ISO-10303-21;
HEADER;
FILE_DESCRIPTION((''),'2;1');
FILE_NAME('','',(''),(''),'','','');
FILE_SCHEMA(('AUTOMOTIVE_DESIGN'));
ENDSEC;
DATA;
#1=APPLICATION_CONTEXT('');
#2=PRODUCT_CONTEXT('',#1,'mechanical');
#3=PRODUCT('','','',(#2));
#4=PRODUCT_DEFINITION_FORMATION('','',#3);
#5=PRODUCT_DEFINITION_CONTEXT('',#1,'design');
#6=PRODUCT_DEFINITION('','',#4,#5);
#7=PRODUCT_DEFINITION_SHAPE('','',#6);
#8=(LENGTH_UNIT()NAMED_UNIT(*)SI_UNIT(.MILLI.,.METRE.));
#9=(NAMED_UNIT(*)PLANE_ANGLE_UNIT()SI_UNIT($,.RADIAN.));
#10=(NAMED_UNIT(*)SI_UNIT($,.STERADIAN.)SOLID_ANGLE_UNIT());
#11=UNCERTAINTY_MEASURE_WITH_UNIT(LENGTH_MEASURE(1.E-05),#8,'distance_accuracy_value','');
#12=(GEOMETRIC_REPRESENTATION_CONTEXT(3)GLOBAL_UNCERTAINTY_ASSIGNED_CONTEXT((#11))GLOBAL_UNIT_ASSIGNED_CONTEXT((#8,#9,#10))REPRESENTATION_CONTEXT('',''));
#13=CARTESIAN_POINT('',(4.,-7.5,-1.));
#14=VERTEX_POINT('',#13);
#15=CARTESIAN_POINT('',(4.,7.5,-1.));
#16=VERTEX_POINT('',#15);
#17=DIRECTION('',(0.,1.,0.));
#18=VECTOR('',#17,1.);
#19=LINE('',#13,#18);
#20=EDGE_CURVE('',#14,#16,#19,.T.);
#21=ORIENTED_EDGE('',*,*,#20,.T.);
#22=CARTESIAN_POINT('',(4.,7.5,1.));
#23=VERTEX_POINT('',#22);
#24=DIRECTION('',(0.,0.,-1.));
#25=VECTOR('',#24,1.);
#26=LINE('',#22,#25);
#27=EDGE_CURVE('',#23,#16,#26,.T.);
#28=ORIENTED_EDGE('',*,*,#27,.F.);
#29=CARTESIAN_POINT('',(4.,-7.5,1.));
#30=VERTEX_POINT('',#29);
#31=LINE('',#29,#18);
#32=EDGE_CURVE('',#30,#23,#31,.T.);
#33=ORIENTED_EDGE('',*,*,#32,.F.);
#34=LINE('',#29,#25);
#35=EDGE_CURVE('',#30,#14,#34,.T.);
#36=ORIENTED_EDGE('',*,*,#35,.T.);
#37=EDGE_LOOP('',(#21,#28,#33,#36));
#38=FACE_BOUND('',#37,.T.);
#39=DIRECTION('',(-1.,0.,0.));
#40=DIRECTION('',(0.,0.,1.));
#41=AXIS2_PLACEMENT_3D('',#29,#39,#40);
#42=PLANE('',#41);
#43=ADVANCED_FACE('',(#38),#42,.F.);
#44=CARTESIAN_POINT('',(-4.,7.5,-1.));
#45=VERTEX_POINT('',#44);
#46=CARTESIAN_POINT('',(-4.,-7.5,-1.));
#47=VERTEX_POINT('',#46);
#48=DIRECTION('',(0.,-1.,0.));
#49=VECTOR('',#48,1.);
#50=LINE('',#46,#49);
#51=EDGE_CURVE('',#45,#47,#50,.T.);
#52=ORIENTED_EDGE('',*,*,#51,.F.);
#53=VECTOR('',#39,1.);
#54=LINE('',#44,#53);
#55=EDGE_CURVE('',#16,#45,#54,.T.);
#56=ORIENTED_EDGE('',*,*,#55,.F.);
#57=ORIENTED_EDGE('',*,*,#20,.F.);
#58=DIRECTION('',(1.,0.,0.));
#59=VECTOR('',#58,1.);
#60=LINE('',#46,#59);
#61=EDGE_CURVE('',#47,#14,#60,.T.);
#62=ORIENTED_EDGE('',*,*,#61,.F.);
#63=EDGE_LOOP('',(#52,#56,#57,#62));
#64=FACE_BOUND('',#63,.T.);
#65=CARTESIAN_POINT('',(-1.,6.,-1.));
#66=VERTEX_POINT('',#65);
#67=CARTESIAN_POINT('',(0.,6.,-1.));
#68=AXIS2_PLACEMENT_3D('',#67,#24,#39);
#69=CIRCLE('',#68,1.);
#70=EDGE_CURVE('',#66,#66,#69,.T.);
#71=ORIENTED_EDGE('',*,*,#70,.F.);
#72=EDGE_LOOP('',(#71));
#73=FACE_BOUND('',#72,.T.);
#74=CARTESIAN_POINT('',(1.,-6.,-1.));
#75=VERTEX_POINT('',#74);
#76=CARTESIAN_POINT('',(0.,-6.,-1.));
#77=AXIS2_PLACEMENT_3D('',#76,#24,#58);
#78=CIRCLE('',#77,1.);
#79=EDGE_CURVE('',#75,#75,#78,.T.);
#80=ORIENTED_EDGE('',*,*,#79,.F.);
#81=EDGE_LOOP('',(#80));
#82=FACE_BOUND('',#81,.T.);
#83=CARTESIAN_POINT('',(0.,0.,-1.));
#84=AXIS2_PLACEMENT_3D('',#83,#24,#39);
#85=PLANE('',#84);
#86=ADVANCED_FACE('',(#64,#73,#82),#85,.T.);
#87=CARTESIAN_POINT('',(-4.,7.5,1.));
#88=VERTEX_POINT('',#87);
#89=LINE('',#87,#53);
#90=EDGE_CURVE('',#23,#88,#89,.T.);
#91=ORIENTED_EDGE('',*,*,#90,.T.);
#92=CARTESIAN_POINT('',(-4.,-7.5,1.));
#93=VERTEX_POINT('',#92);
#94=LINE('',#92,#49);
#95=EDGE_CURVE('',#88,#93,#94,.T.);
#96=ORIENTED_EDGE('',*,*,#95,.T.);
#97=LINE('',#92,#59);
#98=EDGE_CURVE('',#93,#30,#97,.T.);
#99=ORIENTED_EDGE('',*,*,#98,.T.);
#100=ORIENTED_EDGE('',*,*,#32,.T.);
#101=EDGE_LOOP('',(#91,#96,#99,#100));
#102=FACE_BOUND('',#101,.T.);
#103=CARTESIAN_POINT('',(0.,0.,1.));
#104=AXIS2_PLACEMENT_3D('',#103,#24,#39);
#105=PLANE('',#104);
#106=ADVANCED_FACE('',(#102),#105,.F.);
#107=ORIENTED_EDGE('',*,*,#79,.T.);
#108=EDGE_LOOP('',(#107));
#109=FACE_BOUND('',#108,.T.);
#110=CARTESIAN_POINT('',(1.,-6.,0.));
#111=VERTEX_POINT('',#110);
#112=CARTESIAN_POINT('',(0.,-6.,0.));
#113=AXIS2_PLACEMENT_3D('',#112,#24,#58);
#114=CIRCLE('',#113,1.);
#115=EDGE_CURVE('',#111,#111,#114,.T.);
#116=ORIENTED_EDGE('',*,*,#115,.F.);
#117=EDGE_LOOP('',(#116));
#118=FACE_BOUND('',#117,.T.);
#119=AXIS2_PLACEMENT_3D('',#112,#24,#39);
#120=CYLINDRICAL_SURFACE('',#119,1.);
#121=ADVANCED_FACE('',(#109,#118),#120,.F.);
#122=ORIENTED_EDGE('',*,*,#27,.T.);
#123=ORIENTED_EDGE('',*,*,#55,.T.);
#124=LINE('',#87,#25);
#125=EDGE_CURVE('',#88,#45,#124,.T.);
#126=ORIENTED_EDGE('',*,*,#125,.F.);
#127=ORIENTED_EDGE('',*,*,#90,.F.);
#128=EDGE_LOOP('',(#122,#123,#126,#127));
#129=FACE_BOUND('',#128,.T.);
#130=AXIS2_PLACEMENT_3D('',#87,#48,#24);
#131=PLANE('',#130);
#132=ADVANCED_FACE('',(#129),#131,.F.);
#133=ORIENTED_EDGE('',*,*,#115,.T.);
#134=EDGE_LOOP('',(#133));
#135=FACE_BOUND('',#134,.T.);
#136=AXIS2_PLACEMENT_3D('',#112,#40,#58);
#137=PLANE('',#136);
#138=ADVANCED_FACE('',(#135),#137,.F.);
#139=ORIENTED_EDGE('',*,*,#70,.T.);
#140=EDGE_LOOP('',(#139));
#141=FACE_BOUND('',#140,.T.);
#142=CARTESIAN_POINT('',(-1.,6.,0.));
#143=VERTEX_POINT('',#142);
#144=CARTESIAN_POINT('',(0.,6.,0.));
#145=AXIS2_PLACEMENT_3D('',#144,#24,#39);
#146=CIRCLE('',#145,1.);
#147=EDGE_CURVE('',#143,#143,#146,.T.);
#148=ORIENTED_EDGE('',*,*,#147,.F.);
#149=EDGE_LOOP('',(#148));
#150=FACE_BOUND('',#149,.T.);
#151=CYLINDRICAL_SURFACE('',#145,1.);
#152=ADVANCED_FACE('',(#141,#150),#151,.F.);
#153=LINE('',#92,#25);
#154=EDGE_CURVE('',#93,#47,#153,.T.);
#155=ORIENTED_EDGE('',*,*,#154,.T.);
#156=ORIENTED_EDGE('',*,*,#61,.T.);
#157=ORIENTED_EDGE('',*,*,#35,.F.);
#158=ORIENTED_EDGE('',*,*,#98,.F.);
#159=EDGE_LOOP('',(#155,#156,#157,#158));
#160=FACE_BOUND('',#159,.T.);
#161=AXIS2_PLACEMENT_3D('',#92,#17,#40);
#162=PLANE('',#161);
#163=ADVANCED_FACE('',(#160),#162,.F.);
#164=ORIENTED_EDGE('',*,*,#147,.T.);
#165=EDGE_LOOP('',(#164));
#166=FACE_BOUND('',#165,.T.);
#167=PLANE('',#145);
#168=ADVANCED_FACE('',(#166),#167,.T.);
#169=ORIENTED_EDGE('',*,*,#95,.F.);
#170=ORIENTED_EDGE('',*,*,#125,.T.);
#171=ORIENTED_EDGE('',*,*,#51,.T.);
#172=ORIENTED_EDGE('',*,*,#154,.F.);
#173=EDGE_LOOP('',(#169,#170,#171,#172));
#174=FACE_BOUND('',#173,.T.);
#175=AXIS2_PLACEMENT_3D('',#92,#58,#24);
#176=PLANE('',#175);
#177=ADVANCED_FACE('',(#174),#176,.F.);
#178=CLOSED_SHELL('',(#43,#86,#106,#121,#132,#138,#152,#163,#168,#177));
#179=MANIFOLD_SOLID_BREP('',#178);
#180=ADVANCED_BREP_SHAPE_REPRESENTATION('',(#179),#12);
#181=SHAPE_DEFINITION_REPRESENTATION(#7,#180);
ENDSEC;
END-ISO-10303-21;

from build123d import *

# Parameters (mm, degrees)
SKETCH1_W           = 8
SKETCH1_H           = 15
BOSS_EXTRUDE1_DEPTH = 1
SKETCH2_R           = 1
CUT_EXTRUDE1_DEPTH  = 1


with BuildPart() as part:
    # Sketch1 → Boss-Extrude1 (new, symmetric)
    with BuildSketch(Plane.XY):
        Rectangle(SKETCH1_W, SKETCH1_H)
    extrude(amount=BOSS_EXTRUDE1_DEPTH, both=True)

    # Sketch2 → Cut-Extrude1 (cut)
    with BuildSketch(Plane(origin=(0, 0, -1), x_dir=(-1, 0, 0), z_dir=(0, 0, -1))):
        with Locations((0, 6)):
            Circle(SKETCH2_R)
        with Locations(Location((0, -6, 0), (0, 0, 180))):
            Circle(SKETCH2_R)
    extrude(amount=-CUT_EXTRUDE1_DEPTH, mode=Mode.SUBTRACT)


solid = part.part
